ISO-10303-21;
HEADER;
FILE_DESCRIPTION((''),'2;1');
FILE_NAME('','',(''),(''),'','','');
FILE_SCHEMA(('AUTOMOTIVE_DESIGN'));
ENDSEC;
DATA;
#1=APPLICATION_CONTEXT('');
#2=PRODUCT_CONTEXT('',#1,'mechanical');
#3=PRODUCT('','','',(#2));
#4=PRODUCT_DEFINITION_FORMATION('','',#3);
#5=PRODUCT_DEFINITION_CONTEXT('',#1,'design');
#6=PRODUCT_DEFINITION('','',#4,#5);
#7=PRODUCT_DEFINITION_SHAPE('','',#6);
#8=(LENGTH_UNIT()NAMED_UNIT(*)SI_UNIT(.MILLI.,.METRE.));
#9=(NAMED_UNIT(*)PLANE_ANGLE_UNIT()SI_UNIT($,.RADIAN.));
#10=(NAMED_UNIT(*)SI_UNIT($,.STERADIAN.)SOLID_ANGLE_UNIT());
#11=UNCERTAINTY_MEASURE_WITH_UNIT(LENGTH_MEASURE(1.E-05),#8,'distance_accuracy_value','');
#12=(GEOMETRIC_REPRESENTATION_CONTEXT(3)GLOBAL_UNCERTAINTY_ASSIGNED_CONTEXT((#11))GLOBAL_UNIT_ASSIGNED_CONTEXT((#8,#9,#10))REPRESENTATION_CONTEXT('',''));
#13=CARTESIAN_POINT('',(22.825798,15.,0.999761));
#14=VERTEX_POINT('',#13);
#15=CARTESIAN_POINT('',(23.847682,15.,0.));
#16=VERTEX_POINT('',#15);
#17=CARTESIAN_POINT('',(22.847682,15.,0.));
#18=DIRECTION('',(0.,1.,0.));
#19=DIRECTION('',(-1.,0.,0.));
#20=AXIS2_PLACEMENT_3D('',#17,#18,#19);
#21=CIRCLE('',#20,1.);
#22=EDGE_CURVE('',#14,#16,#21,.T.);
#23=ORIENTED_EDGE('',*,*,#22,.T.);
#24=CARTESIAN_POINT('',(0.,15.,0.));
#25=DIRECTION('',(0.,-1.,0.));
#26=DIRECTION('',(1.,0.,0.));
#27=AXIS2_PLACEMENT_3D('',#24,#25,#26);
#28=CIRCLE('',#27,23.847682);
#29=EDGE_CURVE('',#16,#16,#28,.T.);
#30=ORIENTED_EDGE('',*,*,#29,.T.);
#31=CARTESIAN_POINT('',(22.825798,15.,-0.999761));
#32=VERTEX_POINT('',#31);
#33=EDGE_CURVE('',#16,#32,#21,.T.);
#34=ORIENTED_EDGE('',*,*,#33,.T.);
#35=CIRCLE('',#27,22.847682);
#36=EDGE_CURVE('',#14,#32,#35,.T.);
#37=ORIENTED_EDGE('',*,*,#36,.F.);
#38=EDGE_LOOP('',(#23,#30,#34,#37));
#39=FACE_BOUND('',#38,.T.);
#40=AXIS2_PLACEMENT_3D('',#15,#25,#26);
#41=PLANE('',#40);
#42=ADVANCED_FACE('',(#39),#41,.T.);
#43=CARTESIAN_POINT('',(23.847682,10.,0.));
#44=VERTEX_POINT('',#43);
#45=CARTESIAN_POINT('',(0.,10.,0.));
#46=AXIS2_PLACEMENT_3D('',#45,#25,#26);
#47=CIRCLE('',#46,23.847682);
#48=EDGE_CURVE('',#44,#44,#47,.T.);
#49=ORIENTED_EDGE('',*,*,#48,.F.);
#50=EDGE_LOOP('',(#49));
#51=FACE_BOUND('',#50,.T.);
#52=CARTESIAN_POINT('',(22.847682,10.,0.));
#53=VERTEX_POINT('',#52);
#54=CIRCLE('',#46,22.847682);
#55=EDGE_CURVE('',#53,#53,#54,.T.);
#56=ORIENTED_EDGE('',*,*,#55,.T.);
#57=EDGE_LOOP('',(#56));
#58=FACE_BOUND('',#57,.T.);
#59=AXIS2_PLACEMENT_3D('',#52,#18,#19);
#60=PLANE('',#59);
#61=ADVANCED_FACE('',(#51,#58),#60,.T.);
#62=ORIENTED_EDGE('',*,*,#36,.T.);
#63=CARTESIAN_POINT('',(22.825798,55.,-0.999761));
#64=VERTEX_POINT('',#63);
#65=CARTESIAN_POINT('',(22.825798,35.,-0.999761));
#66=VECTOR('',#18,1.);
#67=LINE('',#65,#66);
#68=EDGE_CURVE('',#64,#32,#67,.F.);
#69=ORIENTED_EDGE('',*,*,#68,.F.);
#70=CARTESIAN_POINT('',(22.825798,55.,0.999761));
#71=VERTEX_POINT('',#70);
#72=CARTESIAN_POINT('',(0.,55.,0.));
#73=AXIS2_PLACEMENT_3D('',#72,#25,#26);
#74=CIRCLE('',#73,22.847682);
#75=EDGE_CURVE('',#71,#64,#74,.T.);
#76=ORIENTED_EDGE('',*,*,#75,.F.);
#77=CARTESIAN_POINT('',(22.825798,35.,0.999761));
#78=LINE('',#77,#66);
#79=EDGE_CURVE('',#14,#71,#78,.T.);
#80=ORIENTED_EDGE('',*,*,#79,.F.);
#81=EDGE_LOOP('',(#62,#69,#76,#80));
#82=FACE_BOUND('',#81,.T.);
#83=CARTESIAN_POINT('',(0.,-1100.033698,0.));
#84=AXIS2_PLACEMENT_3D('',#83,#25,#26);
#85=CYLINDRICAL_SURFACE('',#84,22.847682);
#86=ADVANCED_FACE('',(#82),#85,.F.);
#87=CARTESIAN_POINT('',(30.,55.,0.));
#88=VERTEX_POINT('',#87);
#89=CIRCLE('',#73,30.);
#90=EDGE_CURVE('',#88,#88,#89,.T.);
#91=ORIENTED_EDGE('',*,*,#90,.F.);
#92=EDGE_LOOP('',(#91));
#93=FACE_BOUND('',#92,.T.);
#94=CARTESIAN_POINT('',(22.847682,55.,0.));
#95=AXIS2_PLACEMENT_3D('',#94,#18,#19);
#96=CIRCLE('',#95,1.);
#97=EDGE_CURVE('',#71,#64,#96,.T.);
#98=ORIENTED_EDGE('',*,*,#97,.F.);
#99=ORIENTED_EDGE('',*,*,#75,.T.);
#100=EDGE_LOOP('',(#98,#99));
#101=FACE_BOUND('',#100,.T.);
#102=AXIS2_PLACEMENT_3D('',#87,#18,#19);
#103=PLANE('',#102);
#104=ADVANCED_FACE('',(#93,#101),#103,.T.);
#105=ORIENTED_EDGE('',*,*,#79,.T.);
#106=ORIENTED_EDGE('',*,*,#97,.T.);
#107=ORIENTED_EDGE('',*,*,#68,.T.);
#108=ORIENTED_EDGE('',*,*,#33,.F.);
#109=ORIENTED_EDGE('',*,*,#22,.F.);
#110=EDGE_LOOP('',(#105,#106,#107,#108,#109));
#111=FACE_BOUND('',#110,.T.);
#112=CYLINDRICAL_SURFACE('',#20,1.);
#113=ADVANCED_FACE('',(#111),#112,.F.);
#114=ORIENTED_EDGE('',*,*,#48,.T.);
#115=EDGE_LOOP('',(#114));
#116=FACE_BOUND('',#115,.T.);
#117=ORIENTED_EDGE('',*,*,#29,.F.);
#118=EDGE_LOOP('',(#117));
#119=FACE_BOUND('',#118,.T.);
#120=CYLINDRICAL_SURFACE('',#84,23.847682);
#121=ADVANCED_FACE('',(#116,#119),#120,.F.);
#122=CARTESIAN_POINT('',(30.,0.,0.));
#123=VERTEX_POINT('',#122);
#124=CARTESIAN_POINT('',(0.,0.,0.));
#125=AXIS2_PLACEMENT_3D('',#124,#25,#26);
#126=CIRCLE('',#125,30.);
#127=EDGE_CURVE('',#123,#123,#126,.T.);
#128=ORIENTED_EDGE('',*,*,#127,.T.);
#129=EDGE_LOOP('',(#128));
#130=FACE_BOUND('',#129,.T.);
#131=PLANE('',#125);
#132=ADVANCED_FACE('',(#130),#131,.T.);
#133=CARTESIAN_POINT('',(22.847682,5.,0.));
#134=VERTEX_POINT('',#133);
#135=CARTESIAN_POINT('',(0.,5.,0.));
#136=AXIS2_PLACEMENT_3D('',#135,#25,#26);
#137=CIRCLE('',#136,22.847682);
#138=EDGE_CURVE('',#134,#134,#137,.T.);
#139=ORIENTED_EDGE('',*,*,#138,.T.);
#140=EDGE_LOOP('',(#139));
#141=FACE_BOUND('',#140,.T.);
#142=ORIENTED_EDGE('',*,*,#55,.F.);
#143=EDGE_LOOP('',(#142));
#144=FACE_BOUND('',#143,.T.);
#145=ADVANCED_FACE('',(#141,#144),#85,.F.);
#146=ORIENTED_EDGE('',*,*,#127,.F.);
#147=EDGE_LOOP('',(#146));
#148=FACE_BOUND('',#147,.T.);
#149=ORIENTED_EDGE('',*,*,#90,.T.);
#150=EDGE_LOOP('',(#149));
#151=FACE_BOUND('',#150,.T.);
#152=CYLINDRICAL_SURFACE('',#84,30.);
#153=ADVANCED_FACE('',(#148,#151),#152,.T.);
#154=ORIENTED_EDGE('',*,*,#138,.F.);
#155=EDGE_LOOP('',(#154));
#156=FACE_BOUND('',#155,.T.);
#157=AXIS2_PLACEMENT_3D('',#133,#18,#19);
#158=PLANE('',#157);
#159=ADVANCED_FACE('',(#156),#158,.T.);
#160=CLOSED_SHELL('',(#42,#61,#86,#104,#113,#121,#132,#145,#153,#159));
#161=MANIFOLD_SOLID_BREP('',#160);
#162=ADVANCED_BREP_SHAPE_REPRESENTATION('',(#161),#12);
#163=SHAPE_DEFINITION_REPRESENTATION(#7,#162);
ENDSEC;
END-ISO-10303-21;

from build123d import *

# Parameters (mm, degrees)
SKETCH6_R          = 1
CUT_EXTRUDE4_DEPTH = 40


with BuildPart() as part:
    # Sketch4 → Revolve2 (revolve)
    with BuildSketch(Plane.XY):
        Polygon((0, 0), (30, 0), (30, 55), (22.847682119, 55), (22.847682119, 15), (23.847682119, 15), (23.847682119, 10), (22.847682119, 10), (22.847682119, 5), (0, 5), align=None)
    revolve(axis=Axis((0, -1100.033698247, 0), (0, 1, 0)))

    # Sketch6 → Cut-Extrude4 (cut)
    with BuildSketch(Plane(origin=(0, 55, 0), x_dir=(1, 0, 0), z_dir=(0, 1, 0))):
        with Locations((22.847682119, 0)):
            Circle(SKETCH6_R)
    extrude(amount=-CUT_EXTRUDE4_DEPTH, mode=Mode.SUBTRACT)


solid = part.part
